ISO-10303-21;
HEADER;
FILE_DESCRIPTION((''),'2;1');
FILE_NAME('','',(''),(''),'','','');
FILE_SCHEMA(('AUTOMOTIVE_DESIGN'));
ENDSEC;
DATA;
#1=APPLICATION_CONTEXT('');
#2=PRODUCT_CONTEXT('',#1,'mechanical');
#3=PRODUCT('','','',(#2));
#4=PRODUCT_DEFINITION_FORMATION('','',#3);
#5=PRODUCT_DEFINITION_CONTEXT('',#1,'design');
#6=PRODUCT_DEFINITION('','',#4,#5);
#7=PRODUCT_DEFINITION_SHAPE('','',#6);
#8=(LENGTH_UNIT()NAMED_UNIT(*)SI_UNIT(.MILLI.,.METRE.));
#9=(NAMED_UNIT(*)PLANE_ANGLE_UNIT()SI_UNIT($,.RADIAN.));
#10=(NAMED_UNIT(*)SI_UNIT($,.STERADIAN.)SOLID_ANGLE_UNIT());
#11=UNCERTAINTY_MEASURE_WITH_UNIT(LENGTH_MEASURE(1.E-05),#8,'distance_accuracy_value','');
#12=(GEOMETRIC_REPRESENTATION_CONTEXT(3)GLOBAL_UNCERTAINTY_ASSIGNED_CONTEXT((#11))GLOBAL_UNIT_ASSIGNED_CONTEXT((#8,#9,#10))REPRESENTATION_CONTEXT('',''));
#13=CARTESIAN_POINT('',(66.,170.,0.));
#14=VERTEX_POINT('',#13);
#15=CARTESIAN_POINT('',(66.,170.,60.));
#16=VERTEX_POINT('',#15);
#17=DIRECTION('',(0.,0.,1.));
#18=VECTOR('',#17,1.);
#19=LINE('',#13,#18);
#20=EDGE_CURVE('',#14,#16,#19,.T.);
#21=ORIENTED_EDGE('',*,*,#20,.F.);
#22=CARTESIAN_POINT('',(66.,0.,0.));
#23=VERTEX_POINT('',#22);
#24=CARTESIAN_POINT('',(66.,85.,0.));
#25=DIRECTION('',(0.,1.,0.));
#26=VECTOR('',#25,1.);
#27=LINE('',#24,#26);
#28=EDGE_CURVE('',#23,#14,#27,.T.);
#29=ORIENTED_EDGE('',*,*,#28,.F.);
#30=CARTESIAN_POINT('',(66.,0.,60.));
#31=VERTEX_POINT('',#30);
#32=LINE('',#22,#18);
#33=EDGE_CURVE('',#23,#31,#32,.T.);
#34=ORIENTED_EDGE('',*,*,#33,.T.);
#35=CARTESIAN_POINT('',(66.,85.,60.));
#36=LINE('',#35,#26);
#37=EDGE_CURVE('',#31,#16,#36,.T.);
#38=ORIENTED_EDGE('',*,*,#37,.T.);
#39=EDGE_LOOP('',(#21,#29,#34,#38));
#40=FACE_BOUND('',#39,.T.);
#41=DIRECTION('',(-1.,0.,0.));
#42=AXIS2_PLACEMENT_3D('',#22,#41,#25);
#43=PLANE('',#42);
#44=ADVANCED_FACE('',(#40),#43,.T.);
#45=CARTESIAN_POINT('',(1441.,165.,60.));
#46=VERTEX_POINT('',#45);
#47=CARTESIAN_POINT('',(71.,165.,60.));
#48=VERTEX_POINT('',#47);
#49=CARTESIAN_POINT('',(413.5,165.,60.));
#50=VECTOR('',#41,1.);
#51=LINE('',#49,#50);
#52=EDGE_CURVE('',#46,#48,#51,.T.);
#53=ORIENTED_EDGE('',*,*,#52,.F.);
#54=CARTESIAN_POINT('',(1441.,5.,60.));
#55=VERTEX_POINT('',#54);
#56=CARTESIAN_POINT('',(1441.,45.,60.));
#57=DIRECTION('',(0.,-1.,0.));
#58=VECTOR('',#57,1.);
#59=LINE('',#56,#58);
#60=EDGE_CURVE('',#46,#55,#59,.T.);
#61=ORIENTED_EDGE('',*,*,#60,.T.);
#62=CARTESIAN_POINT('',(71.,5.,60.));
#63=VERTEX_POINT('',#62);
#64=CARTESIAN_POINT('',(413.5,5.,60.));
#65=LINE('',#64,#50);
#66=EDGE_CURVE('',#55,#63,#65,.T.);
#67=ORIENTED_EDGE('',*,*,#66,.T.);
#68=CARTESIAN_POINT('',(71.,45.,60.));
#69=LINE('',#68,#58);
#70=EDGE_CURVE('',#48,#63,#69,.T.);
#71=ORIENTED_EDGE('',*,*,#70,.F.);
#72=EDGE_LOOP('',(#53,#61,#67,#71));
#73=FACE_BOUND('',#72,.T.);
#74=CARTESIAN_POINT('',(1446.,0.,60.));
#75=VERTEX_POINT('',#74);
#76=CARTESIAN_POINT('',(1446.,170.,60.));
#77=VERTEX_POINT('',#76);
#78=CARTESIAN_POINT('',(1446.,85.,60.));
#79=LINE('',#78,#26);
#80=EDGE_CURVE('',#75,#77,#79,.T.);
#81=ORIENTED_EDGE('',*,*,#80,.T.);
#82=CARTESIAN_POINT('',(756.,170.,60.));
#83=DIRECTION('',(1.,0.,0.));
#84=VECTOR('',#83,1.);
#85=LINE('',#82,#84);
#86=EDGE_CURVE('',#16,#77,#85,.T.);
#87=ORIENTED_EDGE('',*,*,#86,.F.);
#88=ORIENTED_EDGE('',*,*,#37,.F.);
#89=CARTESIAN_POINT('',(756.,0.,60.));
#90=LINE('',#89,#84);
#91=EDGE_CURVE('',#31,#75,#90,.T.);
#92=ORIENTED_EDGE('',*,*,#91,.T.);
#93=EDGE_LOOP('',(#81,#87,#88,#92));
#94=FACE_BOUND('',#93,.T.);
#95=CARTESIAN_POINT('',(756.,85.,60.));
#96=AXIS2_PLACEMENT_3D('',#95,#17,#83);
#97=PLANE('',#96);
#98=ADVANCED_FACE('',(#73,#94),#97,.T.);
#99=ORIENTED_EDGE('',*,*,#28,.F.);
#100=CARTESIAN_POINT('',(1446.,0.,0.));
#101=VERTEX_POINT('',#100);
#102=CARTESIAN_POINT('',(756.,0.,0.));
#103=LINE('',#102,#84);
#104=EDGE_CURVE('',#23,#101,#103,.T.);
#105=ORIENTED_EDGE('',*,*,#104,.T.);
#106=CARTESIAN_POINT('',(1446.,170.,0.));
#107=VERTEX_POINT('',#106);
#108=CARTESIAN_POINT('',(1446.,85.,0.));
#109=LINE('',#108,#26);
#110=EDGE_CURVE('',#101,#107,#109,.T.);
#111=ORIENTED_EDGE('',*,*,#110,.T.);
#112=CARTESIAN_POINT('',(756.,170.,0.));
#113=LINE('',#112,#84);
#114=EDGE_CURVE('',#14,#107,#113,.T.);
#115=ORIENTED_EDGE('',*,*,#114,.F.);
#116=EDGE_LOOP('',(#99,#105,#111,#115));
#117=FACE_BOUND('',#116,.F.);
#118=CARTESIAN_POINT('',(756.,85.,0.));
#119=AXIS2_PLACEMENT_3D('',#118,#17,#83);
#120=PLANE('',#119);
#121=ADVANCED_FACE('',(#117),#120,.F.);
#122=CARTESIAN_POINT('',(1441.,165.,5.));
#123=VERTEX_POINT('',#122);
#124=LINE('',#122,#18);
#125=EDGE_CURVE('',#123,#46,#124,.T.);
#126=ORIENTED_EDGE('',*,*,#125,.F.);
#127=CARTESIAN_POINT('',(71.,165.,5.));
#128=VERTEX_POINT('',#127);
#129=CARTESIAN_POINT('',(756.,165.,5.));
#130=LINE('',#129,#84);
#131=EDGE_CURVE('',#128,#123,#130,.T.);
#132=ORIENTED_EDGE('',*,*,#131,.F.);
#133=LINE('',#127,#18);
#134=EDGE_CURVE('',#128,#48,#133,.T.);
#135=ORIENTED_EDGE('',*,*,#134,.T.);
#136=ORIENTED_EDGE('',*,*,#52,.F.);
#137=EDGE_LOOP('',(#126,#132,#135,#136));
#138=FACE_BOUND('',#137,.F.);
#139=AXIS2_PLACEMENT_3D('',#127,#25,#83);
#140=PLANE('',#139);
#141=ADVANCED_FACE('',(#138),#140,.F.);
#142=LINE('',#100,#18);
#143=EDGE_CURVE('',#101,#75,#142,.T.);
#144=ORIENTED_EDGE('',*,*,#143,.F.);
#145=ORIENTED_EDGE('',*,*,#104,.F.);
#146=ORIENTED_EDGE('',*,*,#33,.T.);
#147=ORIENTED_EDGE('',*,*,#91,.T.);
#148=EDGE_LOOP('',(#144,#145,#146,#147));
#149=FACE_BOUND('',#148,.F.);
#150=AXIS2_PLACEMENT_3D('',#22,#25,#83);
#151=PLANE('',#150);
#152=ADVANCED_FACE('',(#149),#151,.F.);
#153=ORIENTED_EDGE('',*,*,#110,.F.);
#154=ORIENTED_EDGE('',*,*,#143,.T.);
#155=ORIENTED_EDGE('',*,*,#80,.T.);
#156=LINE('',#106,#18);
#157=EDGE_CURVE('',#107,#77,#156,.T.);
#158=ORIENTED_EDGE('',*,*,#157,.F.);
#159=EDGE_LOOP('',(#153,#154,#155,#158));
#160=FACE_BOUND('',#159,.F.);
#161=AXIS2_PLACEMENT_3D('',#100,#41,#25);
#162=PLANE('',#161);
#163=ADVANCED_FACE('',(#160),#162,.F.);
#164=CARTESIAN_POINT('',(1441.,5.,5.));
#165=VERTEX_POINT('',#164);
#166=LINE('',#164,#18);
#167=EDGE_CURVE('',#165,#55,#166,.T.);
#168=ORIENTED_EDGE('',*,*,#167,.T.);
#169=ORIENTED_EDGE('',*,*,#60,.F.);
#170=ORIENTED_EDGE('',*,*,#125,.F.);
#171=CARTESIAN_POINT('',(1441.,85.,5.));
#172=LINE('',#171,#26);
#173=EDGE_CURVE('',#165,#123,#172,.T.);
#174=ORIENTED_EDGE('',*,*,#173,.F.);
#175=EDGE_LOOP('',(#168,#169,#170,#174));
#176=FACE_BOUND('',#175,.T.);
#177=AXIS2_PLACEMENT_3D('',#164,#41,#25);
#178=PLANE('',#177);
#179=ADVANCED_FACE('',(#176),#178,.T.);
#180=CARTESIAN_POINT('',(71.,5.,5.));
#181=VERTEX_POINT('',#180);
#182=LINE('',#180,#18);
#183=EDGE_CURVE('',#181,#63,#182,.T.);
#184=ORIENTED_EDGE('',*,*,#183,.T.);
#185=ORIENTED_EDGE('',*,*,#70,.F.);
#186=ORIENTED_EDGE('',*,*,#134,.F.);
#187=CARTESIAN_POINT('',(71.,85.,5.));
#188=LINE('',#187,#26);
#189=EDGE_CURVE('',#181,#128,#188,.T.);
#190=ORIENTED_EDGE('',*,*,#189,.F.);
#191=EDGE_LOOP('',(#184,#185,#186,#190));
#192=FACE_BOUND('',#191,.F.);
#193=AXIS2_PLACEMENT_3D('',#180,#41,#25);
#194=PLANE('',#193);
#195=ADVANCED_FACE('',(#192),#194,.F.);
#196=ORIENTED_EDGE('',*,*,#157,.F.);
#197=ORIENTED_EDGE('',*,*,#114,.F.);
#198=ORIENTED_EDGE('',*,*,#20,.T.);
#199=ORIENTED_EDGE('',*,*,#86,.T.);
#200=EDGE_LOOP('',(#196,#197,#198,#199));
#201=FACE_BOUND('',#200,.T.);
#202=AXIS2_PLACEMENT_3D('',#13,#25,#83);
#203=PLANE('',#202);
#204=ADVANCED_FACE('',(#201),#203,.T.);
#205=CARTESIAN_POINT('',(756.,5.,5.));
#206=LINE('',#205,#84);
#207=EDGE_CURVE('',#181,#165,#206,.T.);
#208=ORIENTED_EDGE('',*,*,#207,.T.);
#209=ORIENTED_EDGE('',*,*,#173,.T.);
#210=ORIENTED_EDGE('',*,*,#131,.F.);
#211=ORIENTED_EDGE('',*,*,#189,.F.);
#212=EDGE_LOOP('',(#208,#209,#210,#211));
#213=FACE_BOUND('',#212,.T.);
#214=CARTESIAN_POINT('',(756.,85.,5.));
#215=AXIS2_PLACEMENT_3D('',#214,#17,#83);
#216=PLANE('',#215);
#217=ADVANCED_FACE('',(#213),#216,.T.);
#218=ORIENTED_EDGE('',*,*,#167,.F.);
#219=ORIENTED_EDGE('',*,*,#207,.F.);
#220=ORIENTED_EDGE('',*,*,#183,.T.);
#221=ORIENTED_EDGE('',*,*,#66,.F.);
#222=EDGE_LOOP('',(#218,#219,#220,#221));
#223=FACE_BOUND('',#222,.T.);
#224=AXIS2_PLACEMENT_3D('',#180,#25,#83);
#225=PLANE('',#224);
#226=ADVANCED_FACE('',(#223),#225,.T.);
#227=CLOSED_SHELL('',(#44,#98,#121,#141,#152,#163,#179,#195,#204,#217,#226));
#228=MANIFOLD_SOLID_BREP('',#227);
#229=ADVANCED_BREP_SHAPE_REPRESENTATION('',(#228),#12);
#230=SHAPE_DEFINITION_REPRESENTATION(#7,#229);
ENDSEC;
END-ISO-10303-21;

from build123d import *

# Parameters (mm, degrees)
BOX001_W     = 1370
BOX001_H     = 160
BOX001_DEPTH = 60
BOX_W        = 1380
BOX_H        = 170
BOX_DEPTH    = 60


with BuildPart() as box001:
    # Box001 → Box001 (new body)
    with BuildSketch(Plane(origin=(5, 5, 5), x_dir=(1, 0, 0), z_dir=(0, 0, 1))):
        with Locations((685, 80)):
            Rectangle(BOX001_W, BOX001_H)
    extrude(amount=BOX001_DEPTH)


with BuildPart() as trough:
    # Box → Box (new body)
    with BuildSketch(Plane.XY):
        with Locations((690, 85)):
            Rectangle(BOX_W, BOX_H)
    extrude(amount=BOX_DEPTH)

    # Cut: cut Box001
    add(box001.part, mode=Mode.SUBTRACT)


with BuildPart() as trough_1:
    # Cut placement: moved
    add(trough.part.moved(Location((66, 0, 0))))


solid = trough_1.part
